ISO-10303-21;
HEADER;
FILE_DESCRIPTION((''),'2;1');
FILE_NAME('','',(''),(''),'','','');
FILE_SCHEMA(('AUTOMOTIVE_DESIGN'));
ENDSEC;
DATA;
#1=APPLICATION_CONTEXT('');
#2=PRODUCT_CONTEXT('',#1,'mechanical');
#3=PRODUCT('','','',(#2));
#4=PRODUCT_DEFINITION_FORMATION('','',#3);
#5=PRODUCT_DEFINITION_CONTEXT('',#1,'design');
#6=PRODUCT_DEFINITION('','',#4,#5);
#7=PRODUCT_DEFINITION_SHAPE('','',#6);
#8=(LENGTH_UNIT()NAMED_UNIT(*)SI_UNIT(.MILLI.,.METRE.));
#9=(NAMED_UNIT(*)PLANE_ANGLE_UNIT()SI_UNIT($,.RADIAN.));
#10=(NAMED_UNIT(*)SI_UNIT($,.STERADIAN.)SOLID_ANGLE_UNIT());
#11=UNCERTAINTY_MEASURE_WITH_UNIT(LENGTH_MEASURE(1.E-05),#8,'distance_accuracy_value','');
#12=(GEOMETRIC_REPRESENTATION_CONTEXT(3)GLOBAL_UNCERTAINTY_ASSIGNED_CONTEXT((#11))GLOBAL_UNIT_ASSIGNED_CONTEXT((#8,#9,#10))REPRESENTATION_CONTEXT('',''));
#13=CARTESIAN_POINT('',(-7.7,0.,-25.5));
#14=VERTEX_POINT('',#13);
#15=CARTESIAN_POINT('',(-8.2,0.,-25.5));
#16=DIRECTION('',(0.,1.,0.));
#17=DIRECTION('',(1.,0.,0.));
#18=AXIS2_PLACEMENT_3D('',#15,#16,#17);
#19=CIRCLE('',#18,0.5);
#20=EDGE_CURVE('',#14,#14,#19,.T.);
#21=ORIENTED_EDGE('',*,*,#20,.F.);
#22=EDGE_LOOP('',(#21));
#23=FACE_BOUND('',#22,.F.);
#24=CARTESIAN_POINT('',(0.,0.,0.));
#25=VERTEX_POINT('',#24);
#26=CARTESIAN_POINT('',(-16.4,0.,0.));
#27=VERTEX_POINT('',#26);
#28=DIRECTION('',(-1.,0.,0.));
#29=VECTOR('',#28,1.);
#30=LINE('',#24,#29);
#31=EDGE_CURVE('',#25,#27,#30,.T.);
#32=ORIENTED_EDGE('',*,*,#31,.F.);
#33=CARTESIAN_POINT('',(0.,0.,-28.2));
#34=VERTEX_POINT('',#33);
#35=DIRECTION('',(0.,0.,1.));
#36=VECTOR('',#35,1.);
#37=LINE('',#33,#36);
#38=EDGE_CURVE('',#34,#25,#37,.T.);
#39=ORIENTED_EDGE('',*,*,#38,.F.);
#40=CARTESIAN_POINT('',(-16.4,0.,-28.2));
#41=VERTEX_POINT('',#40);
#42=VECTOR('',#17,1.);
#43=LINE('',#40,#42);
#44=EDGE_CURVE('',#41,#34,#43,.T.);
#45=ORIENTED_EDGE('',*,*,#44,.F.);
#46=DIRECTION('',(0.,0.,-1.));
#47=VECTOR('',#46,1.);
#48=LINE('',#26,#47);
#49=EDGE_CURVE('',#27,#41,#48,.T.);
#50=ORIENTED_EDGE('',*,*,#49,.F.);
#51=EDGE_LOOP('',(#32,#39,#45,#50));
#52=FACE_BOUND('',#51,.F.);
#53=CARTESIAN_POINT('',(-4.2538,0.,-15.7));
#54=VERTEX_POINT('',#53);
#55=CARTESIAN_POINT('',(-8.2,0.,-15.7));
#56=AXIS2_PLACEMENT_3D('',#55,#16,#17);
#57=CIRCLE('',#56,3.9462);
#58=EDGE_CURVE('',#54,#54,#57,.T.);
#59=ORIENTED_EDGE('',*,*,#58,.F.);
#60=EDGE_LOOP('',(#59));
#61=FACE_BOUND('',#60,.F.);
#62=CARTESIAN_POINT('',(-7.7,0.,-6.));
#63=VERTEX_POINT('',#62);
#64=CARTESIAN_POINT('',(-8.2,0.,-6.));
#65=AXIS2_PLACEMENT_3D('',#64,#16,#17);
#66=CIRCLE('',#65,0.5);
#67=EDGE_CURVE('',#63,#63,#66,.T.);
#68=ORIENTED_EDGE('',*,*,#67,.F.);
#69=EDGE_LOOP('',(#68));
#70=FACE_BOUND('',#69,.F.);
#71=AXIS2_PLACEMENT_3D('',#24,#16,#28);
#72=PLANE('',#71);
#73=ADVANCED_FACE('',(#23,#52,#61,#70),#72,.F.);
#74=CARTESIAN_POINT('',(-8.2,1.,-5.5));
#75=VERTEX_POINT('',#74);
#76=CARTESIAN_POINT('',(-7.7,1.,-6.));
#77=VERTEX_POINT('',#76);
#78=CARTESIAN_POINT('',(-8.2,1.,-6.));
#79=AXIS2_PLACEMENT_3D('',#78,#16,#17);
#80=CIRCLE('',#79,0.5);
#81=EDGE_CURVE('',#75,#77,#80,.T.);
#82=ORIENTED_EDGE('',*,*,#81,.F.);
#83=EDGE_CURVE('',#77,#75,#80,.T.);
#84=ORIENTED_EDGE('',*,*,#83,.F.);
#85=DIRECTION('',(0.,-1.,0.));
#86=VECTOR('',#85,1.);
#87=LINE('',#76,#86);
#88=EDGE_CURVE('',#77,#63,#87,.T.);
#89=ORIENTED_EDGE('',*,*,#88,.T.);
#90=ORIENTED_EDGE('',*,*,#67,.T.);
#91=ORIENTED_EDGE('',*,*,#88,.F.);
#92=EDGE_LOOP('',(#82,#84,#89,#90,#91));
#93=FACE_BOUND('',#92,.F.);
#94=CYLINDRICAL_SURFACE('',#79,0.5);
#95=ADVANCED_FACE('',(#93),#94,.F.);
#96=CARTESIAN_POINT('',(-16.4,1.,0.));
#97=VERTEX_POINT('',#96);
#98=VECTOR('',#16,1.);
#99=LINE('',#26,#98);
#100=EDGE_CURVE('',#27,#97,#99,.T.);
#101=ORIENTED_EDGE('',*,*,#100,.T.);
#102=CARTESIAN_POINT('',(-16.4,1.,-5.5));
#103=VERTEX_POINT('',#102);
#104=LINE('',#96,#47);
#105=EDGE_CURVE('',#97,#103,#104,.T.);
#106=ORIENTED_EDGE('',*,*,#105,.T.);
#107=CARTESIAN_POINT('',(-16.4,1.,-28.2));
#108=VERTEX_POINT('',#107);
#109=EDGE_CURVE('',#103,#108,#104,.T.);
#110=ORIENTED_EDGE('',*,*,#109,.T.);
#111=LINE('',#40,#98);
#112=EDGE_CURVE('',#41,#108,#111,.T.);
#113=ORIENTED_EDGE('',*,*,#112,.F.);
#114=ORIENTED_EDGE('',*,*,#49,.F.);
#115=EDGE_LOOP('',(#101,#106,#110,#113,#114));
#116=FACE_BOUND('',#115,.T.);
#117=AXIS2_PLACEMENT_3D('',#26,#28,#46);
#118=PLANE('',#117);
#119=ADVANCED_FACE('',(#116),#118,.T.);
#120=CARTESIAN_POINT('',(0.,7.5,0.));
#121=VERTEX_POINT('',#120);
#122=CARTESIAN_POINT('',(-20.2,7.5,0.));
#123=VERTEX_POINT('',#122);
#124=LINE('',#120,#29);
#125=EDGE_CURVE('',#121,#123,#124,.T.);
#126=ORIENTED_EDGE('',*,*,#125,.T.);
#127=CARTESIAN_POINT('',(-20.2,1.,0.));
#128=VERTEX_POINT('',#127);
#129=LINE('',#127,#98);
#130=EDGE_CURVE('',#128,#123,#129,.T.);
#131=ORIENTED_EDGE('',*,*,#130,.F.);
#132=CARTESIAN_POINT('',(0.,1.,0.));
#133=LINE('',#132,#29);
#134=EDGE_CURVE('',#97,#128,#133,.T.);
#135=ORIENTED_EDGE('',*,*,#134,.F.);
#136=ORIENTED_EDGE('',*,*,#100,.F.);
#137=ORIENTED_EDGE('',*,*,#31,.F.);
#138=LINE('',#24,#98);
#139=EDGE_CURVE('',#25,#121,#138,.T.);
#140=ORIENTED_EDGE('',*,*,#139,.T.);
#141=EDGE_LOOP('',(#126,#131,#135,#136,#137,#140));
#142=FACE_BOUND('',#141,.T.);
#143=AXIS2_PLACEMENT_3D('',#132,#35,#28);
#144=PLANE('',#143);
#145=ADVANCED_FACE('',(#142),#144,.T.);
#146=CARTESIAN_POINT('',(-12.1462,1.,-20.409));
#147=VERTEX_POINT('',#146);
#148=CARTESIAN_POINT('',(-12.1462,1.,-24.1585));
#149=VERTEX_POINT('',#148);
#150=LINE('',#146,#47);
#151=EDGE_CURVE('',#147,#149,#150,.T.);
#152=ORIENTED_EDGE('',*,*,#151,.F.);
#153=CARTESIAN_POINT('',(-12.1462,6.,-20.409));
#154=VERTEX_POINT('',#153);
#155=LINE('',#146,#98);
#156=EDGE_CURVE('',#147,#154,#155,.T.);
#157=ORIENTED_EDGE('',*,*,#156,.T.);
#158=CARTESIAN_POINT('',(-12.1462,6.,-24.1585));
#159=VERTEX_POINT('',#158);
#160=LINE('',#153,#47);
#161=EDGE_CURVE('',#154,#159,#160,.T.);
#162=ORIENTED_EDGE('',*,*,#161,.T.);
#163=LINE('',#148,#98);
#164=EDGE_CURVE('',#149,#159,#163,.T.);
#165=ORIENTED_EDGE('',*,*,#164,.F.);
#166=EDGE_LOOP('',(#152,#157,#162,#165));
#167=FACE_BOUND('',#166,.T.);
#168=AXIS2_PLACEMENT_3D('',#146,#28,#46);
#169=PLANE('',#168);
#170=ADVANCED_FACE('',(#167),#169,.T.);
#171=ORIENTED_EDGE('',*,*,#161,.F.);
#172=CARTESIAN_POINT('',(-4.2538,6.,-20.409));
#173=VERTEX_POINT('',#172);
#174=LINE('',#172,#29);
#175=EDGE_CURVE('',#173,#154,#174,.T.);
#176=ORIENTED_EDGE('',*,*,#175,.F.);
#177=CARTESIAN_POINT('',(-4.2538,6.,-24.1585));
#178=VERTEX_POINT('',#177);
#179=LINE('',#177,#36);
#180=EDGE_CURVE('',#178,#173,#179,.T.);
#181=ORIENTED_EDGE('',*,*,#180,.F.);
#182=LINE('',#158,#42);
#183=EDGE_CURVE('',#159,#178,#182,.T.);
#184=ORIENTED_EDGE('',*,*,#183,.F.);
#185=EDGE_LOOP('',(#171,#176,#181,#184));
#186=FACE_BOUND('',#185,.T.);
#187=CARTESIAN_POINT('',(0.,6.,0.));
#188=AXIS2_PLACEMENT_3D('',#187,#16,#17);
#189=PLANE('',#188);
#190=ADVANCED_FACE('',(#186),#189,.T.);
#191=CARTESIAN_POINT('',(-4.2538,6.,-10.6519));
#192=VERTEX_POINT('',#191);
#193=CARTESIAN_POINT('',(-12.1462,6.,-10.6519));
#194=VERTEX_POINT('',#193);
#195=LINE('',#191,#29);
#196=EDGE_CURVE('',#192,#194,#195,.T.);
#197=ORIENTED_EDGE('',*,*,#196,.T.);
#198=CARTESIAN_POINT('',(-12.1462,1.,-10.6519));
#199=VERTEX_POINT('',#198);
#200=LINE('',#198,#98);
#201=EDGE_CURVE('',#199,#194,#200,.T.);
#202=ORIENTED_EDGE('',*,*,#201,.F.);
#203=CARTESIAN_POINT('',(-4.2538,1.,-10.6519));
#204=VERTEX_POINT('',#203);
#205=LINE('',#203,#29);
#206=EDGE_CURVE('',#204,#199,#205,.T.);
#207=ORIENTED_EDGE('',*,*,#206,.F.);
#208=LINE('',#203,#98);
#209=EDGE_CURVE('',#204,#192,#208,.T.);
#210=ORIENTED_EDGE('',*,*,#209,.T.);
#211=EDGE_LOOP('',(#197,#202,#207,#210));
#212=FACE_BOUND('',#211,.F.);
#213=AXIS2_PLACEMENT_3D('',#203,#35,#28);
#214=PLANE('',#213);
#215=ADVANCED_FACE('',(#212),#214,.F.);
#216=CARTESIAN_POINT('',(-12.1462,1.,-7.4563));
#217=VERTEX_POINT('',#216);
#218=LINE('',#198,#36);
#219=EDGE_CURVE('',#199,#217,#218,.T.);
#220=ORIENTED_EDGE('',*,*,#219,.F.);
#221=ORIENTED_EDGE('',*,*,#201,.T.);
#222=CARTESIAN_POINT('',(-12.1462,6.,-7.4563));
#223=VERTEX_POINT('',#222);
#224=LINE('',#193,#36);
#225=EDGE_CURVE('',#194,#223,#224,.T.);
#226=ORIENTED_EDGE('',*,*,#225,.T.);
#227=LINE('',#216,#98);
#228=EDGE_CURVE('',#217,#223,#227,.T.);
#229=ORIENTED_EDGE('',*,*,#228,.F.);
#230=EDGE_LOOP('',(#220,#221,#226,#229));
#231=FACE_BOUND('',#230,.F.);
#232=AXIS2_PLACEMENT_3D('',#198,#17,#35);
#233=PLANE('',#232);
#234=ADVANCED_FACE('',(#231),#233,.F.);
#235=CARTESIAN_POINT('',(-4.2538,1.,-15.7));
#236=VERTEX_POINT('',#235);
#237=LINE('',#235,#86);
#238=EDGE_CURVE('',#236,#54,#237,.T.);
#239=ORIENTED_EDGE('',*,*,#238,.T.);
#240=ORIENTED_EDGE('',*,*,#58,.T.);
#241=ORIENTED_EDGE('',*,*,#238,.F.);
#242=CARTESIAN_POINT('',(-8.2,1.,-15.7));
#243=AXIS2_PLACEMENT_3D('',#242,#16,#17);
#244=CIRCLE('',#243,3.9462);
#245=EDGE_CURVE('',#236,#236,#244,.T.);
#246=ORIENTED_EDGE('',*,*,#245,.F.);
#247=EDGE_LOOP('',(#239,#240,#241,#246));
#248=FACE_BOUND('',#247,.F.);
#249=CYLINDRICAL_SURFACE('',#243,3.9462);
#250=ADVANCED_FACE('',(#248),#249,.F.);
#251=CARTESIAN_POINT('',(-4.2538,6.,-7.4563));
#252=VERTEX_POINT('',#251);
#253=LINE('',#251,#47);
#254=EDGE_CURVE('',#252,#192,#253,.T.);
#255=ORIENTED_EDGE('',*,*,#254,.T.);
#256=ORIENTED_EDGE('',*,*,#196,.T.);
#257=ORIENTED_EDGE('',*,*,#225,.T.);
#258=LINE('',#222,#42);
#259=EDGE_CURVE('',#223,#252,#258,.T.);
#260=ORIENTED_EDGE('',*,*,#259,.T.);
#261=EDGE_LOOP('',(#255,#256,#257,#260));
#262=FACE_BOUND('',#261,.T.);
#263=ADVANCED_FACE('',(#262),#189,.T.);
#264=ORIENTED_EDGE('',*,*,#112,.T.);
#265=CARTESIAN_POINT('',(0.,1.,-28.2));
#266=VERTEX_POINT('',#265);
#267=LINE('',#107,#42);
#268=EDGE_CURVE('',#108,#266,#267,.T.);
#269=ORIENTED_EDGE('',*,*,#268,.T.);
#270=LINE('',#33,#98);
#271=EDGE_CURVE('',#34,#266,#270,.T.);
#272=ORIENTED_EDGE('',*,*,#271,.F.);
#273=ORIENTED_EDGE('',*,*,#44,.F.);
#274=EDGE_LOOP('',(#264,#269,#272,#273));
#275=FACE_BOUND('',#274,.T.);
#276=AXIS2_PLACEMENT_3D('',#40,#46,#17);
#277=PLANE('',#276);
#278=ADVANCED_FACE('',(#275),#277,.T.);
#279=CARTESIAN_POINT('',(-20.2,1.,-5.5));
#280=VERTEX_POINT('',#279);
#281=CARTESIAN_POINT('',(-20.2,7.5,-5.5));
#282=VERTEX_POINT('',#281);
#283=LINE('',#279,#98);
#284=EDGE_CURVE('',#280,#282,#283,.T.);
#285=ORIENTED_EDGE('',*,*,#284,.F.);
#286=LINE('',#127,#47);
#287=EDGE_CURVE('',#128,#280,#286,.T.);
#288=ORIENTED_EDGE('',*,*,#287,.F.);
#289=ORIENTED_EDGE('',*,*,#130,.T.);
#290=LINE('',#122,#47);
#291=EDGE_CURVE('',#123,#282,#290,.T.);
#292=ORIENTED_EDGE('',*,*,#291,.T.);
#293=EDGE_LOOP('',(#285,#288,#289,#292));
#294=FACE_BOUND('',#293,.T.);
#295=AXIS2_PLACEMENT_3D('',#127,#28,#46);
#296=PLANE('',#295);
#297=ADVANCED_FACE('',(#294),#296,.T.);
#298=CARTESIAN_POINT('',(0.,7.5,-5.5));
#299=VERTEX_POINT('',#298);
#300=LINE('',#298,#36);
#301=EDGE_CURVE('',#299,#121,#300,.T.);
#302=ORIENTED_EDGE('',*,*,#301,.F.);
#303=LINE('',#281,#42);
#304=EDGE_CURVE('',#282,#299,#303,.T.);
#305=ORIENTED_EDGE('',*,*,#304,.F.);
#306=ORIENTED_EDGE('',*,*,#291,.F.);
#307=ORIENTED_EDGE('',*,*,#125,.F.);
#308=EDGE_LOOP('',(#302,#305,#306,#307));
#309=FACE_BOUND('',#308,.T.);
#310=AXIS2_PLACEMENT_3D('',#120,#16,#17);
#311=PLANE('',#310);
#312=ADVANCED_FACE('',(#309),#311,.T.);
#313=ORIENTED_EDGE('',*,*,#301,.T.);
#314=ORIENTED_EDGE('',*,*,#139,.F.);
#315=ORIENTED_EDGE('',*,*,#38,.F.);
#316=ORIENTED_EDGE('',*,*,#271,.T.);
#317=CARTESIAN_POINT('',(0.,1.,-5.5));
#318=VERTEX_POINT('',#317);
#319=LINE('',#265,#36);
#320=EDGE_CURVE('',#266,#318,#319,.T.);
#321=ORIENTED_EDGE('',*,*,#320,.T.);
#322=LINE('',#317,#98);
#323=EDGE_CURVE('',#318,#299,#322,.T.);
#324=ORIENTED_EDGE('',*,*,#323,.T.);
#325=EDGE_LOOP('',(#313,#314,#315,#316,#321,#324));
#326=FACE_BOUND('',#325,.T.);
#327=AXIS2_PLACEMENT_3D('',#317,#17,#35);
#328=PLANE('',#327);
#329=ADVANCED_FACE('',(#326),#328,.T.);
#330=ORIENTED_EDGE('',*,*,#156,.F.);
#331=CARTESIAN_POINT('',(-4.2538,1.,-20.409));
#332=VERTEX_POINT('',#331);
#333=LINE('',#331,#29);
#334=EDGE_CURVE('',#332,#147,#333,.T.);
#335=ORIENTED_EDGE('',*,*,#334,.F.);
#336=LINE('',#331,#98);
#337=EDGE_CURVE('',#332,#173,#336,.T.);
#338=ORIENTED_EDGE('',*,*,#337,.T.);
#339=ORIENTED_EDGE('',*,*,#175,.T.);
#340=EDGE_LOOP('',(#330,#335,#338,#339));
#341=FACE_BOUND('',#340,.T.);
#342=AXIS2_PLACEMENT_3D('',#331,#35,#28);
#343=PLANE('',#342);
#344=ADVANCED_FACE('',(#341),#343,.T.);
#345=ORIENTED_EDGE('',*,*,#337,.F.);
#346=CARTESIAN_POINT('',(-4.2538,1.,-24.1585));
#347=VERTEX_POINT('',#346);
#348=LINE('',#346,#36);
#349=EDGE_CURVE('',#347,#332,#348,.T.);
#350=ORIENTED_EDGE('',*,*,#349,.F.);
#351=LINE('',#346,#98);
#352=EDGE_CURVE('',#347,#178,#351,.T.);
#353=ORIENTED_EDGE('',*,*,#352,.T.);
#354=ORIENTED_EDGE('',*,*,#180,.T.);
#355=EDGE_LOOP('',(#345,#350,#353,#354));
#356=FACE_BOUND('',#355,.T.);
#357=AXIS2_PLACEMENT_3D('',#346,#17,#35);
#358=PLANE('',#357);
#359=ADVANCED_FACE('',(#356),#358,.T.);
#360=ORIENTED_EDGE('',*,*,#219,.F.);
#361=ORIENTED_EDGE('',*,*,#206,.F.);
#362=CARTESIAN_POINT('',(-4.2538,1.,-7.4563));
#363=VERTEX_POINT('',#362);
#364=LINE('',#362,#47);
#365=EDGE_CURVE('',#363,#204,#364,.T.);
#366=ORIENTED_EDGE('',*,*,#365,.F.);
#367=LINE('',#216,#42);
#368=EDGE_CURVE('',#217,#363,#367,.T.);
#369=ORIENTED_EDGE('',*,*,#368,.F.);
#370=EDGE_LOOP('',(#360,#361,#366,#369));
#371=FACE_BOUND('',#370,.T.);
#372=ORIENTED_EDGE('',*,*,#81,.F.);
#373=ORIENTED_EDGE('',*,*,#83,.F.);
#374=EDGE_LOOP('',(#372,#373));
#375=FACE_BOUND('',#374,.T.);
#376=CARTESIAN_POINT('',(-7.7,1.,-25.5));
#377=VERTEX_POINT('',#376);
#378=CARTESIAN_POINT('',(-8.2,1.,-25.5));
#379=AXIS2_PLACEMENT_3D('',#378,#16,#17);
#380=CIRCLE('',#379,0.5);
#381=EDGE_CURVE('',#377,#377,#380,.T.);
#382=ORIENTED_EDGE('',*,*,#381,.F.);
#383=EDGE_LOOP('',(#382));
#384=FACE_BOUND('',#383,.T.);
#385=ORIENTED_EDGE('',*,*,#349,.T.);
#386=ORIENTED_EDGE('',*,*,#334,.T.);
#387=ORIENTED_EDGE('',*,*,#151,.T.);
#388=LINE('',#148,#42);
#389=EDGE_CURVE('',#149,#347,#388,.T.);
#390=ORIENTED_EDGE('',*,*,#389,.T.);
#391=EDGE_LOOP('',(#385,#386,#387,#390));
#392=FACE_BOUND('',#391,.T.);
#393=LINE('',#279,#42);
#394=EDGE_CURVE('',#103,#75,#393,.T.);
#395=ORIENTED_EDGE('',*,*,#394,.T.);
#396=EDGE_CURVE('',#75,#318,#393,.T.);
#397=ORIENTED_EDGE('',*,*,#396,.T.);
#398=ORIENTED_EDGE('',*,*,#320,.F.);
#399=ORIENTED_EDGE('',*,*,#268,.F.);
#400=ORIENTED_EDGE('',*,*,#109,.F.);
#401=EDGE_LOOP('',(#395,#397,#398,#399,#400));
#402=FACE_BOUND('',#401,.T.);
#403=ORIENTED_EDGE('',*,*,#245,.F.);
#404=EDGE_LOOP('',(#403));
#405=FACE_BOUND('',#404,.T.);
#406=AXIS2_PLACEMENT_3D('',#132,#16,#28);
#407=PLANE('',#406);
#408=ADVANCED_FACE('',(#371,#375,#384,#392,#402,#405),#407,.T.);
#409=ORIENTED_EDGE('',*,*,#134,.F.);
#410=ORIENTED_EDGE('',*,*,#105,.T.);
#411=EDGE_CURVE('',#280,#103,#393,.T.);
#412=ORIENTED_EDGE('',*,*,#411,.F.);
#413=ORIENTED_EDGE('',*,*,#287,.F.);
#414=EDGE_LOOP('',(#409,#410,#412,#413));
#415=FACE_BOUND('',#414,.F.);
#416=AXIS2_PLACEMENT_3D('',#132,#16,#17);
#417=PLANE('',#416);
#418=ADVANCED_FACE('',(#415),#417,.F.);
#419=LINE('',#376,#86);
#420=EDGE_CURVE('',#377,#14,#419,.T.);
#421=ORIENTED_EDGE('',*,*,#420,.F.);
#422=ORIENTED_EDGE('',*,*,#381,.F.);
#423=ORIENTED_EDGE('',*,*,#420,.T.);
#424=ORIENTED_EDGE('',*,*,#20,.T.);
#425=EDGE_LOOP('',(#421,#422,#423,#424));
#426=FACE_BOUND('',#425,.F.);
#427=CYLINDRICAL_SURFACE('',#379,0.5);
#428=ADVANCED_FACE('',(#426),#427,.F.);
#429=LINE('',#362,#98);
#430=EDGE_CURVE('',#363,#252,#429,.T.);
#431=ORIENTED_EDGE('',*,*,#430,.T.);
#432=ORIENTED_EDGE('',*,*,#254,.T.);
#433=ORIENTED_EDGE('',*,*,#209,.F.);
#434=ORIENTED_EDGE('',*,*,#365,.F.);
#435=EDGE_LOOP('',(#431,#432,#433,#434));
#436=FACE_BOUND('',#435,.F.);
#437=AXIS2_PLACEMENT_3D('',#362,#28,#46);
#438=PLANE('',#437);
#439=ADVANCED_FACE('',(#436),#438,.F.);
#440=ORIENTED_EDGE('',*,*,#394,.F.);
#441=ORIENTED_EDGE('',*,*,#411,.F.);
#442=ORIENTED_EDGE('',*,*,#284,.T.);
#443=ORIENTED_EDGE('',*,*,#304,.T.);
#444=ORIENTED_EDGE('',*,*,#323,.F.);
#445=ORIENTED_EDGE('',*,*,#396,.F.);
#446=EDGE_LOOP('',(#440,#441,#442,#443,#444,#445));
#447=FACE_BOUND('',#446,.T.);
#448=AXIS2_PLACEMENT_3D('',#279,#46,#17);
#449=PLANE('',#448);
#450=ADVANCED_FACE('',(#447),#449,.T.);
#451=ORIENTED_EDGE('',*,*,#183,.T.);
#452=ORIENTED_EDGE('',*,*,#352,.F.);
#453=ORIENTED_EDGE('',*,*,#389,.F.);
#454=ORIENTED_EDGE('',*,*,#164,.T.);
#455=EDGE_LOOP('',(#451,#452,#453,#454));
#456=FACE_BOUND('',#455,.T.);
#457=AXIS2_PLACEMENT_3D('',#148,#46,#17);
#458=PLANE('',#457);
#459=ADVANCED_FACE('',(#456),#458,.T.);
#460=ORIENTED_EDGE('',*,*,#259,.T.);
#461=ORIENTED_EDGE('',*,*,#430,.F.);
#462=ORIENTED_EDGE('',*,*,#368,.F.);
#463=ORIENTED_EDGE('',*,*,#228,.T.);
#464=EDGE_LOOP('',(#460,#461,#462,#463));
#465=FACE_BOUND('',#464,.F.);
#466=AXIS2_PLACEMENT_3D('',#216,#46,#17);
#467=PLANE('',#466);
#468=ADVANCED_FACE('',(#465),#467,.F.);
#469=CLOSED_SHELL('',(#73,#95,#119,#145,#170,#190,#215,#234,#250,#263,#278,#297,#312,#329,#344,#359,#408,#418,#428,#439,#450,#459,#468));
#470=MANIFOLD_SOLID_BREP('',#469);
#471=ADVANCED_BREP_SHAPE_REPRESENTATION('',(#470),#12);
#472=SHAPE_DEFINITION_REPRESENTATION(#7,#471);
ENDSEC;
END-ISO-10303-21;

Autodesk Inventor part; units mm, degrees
ref_plane "YZ Plane" through (0, 0, 0) normal (1, 0, 0) x (0, 1, 0)
ref_plane "XZ Plane" through (0, 0, 0) normal (0, 1, 0) x (-1, 0, 0)
ref_plane "XY Plane" through (0, 0, 0) normal (0, 0, 1) x (1, 0, 0)
sketch "Sketch1" plane through (0, 0, 0) normal (0, 1, 0) x (-1, 0, 0)
  line L0 (0, 0) -> (16.4, 0)
  line L1 (16.4, 0) -> (16.4, -28.2)
  line L2 (16.4, -28.2) -> (0, -28.2)
  line L3 (0, -28.2) -> (0, 0)
  dimension "d0" = 16.4
  dimension "d1" = 28.2
extrude "Extrusion1" add sketch "Sketch1" along normal blind 1
sketch "Sketch2" plane through (0, 1, 0) normal (0, 1, 0) x (1, 0, 0)
  circle A0 centre (-8.2, 6) radius 0.5
  circle A1 centre (-8.2, 25.5) radius 0.5
  line L0 (-16.4, 0) -> (0, 0) projected
  line L1 (-16.4, 28.2) -> (-16.4, 0) projected
  circle A2 centre (-8.2, 15.7) radius 3.9462
  dimension "d4" = 1
  dimension "d5" = 1
  dimension "d6" = 6
  dimension "d7" = 19.5
  dimension "d8" = 8.2
  dimension "d9" = 8.2
  dimension "d10" = 9.7
  dimension "d11" = 9.8
extrude "Extrusion2" cut sketch "Sketch2" against normal blind 1
sketch "Sketch3" plane through (0, 1, 0) normal (0, 1, 0) x (1, 0, 0)
  line L0 (0, 0) -> (-20.2, 0)
  line L1 (-20.2, 0) -> (-20.2, 5.5)
  line L2 (-20.2, 5.5) -> (0, 5.5)
  line L3 (0, 5.5) -> (0, 0)
  dimension "d14" = 20.2
  dimension "d15" = 5.5
extrude "Extrusion3" add sketch "Sketch3" along normal blind 6.5
sketch "Sketch4" plane through (0, 1, 0) normal (0, 1, 0) x (1, 0, 0)
  line L0 (-8.2, 5.5) -> (0, 5.5) projected
  line L1 (0, 5.5) -> (0, 28.2) projected
  line L2 (0, 28.2) -> (-16.4, 28.2) projected
  line L3 (-16.4, 28.2) -> (-16.4, 5.5) projected
  line L4 (-16.4, 5.5) -> (-8.2, 5.5) projected
  circle A0 centre (-8.2, 6) radius 0.5 projected
  circle A1 centre (-8.2, 25.5) radius 0.5 projected
  circle A2 centre (-8.2, 15.7) radius 3.9462 projected
  line L5 (-12.1462, 7.4563) -> (-4.2538, 7.4563)
  line L6 (-4.2538, 7.4563) -> (-4.2538, 10.6519)
  line L7 (-4.2538, 10.6519) -> (-12.1462, 10.6519)
  line L8 (-12.1462, 10.6519) -> (-12.1462, 7.4563)
  line L9 (-12.1462, 24.1585) -> (-4.2538, 24.1585)
  line L10 (-4.2538, 24.1585) -> (-4.2538, 20.409)
  line L11 (-4.2538, 20.409) -> (-12.1462, 20.409)
  line L12 (-12.1462, 20.409) -> (-12.1462, 24.1585)
  point P0 (0, 0)
extrude "Extrusion4" add sketch "Sketch4" along normal blind 5 contours L8 L7 L6 L5 | L9 L10 L11 L12
properties part number "LG_CRD_8521B_Base"
